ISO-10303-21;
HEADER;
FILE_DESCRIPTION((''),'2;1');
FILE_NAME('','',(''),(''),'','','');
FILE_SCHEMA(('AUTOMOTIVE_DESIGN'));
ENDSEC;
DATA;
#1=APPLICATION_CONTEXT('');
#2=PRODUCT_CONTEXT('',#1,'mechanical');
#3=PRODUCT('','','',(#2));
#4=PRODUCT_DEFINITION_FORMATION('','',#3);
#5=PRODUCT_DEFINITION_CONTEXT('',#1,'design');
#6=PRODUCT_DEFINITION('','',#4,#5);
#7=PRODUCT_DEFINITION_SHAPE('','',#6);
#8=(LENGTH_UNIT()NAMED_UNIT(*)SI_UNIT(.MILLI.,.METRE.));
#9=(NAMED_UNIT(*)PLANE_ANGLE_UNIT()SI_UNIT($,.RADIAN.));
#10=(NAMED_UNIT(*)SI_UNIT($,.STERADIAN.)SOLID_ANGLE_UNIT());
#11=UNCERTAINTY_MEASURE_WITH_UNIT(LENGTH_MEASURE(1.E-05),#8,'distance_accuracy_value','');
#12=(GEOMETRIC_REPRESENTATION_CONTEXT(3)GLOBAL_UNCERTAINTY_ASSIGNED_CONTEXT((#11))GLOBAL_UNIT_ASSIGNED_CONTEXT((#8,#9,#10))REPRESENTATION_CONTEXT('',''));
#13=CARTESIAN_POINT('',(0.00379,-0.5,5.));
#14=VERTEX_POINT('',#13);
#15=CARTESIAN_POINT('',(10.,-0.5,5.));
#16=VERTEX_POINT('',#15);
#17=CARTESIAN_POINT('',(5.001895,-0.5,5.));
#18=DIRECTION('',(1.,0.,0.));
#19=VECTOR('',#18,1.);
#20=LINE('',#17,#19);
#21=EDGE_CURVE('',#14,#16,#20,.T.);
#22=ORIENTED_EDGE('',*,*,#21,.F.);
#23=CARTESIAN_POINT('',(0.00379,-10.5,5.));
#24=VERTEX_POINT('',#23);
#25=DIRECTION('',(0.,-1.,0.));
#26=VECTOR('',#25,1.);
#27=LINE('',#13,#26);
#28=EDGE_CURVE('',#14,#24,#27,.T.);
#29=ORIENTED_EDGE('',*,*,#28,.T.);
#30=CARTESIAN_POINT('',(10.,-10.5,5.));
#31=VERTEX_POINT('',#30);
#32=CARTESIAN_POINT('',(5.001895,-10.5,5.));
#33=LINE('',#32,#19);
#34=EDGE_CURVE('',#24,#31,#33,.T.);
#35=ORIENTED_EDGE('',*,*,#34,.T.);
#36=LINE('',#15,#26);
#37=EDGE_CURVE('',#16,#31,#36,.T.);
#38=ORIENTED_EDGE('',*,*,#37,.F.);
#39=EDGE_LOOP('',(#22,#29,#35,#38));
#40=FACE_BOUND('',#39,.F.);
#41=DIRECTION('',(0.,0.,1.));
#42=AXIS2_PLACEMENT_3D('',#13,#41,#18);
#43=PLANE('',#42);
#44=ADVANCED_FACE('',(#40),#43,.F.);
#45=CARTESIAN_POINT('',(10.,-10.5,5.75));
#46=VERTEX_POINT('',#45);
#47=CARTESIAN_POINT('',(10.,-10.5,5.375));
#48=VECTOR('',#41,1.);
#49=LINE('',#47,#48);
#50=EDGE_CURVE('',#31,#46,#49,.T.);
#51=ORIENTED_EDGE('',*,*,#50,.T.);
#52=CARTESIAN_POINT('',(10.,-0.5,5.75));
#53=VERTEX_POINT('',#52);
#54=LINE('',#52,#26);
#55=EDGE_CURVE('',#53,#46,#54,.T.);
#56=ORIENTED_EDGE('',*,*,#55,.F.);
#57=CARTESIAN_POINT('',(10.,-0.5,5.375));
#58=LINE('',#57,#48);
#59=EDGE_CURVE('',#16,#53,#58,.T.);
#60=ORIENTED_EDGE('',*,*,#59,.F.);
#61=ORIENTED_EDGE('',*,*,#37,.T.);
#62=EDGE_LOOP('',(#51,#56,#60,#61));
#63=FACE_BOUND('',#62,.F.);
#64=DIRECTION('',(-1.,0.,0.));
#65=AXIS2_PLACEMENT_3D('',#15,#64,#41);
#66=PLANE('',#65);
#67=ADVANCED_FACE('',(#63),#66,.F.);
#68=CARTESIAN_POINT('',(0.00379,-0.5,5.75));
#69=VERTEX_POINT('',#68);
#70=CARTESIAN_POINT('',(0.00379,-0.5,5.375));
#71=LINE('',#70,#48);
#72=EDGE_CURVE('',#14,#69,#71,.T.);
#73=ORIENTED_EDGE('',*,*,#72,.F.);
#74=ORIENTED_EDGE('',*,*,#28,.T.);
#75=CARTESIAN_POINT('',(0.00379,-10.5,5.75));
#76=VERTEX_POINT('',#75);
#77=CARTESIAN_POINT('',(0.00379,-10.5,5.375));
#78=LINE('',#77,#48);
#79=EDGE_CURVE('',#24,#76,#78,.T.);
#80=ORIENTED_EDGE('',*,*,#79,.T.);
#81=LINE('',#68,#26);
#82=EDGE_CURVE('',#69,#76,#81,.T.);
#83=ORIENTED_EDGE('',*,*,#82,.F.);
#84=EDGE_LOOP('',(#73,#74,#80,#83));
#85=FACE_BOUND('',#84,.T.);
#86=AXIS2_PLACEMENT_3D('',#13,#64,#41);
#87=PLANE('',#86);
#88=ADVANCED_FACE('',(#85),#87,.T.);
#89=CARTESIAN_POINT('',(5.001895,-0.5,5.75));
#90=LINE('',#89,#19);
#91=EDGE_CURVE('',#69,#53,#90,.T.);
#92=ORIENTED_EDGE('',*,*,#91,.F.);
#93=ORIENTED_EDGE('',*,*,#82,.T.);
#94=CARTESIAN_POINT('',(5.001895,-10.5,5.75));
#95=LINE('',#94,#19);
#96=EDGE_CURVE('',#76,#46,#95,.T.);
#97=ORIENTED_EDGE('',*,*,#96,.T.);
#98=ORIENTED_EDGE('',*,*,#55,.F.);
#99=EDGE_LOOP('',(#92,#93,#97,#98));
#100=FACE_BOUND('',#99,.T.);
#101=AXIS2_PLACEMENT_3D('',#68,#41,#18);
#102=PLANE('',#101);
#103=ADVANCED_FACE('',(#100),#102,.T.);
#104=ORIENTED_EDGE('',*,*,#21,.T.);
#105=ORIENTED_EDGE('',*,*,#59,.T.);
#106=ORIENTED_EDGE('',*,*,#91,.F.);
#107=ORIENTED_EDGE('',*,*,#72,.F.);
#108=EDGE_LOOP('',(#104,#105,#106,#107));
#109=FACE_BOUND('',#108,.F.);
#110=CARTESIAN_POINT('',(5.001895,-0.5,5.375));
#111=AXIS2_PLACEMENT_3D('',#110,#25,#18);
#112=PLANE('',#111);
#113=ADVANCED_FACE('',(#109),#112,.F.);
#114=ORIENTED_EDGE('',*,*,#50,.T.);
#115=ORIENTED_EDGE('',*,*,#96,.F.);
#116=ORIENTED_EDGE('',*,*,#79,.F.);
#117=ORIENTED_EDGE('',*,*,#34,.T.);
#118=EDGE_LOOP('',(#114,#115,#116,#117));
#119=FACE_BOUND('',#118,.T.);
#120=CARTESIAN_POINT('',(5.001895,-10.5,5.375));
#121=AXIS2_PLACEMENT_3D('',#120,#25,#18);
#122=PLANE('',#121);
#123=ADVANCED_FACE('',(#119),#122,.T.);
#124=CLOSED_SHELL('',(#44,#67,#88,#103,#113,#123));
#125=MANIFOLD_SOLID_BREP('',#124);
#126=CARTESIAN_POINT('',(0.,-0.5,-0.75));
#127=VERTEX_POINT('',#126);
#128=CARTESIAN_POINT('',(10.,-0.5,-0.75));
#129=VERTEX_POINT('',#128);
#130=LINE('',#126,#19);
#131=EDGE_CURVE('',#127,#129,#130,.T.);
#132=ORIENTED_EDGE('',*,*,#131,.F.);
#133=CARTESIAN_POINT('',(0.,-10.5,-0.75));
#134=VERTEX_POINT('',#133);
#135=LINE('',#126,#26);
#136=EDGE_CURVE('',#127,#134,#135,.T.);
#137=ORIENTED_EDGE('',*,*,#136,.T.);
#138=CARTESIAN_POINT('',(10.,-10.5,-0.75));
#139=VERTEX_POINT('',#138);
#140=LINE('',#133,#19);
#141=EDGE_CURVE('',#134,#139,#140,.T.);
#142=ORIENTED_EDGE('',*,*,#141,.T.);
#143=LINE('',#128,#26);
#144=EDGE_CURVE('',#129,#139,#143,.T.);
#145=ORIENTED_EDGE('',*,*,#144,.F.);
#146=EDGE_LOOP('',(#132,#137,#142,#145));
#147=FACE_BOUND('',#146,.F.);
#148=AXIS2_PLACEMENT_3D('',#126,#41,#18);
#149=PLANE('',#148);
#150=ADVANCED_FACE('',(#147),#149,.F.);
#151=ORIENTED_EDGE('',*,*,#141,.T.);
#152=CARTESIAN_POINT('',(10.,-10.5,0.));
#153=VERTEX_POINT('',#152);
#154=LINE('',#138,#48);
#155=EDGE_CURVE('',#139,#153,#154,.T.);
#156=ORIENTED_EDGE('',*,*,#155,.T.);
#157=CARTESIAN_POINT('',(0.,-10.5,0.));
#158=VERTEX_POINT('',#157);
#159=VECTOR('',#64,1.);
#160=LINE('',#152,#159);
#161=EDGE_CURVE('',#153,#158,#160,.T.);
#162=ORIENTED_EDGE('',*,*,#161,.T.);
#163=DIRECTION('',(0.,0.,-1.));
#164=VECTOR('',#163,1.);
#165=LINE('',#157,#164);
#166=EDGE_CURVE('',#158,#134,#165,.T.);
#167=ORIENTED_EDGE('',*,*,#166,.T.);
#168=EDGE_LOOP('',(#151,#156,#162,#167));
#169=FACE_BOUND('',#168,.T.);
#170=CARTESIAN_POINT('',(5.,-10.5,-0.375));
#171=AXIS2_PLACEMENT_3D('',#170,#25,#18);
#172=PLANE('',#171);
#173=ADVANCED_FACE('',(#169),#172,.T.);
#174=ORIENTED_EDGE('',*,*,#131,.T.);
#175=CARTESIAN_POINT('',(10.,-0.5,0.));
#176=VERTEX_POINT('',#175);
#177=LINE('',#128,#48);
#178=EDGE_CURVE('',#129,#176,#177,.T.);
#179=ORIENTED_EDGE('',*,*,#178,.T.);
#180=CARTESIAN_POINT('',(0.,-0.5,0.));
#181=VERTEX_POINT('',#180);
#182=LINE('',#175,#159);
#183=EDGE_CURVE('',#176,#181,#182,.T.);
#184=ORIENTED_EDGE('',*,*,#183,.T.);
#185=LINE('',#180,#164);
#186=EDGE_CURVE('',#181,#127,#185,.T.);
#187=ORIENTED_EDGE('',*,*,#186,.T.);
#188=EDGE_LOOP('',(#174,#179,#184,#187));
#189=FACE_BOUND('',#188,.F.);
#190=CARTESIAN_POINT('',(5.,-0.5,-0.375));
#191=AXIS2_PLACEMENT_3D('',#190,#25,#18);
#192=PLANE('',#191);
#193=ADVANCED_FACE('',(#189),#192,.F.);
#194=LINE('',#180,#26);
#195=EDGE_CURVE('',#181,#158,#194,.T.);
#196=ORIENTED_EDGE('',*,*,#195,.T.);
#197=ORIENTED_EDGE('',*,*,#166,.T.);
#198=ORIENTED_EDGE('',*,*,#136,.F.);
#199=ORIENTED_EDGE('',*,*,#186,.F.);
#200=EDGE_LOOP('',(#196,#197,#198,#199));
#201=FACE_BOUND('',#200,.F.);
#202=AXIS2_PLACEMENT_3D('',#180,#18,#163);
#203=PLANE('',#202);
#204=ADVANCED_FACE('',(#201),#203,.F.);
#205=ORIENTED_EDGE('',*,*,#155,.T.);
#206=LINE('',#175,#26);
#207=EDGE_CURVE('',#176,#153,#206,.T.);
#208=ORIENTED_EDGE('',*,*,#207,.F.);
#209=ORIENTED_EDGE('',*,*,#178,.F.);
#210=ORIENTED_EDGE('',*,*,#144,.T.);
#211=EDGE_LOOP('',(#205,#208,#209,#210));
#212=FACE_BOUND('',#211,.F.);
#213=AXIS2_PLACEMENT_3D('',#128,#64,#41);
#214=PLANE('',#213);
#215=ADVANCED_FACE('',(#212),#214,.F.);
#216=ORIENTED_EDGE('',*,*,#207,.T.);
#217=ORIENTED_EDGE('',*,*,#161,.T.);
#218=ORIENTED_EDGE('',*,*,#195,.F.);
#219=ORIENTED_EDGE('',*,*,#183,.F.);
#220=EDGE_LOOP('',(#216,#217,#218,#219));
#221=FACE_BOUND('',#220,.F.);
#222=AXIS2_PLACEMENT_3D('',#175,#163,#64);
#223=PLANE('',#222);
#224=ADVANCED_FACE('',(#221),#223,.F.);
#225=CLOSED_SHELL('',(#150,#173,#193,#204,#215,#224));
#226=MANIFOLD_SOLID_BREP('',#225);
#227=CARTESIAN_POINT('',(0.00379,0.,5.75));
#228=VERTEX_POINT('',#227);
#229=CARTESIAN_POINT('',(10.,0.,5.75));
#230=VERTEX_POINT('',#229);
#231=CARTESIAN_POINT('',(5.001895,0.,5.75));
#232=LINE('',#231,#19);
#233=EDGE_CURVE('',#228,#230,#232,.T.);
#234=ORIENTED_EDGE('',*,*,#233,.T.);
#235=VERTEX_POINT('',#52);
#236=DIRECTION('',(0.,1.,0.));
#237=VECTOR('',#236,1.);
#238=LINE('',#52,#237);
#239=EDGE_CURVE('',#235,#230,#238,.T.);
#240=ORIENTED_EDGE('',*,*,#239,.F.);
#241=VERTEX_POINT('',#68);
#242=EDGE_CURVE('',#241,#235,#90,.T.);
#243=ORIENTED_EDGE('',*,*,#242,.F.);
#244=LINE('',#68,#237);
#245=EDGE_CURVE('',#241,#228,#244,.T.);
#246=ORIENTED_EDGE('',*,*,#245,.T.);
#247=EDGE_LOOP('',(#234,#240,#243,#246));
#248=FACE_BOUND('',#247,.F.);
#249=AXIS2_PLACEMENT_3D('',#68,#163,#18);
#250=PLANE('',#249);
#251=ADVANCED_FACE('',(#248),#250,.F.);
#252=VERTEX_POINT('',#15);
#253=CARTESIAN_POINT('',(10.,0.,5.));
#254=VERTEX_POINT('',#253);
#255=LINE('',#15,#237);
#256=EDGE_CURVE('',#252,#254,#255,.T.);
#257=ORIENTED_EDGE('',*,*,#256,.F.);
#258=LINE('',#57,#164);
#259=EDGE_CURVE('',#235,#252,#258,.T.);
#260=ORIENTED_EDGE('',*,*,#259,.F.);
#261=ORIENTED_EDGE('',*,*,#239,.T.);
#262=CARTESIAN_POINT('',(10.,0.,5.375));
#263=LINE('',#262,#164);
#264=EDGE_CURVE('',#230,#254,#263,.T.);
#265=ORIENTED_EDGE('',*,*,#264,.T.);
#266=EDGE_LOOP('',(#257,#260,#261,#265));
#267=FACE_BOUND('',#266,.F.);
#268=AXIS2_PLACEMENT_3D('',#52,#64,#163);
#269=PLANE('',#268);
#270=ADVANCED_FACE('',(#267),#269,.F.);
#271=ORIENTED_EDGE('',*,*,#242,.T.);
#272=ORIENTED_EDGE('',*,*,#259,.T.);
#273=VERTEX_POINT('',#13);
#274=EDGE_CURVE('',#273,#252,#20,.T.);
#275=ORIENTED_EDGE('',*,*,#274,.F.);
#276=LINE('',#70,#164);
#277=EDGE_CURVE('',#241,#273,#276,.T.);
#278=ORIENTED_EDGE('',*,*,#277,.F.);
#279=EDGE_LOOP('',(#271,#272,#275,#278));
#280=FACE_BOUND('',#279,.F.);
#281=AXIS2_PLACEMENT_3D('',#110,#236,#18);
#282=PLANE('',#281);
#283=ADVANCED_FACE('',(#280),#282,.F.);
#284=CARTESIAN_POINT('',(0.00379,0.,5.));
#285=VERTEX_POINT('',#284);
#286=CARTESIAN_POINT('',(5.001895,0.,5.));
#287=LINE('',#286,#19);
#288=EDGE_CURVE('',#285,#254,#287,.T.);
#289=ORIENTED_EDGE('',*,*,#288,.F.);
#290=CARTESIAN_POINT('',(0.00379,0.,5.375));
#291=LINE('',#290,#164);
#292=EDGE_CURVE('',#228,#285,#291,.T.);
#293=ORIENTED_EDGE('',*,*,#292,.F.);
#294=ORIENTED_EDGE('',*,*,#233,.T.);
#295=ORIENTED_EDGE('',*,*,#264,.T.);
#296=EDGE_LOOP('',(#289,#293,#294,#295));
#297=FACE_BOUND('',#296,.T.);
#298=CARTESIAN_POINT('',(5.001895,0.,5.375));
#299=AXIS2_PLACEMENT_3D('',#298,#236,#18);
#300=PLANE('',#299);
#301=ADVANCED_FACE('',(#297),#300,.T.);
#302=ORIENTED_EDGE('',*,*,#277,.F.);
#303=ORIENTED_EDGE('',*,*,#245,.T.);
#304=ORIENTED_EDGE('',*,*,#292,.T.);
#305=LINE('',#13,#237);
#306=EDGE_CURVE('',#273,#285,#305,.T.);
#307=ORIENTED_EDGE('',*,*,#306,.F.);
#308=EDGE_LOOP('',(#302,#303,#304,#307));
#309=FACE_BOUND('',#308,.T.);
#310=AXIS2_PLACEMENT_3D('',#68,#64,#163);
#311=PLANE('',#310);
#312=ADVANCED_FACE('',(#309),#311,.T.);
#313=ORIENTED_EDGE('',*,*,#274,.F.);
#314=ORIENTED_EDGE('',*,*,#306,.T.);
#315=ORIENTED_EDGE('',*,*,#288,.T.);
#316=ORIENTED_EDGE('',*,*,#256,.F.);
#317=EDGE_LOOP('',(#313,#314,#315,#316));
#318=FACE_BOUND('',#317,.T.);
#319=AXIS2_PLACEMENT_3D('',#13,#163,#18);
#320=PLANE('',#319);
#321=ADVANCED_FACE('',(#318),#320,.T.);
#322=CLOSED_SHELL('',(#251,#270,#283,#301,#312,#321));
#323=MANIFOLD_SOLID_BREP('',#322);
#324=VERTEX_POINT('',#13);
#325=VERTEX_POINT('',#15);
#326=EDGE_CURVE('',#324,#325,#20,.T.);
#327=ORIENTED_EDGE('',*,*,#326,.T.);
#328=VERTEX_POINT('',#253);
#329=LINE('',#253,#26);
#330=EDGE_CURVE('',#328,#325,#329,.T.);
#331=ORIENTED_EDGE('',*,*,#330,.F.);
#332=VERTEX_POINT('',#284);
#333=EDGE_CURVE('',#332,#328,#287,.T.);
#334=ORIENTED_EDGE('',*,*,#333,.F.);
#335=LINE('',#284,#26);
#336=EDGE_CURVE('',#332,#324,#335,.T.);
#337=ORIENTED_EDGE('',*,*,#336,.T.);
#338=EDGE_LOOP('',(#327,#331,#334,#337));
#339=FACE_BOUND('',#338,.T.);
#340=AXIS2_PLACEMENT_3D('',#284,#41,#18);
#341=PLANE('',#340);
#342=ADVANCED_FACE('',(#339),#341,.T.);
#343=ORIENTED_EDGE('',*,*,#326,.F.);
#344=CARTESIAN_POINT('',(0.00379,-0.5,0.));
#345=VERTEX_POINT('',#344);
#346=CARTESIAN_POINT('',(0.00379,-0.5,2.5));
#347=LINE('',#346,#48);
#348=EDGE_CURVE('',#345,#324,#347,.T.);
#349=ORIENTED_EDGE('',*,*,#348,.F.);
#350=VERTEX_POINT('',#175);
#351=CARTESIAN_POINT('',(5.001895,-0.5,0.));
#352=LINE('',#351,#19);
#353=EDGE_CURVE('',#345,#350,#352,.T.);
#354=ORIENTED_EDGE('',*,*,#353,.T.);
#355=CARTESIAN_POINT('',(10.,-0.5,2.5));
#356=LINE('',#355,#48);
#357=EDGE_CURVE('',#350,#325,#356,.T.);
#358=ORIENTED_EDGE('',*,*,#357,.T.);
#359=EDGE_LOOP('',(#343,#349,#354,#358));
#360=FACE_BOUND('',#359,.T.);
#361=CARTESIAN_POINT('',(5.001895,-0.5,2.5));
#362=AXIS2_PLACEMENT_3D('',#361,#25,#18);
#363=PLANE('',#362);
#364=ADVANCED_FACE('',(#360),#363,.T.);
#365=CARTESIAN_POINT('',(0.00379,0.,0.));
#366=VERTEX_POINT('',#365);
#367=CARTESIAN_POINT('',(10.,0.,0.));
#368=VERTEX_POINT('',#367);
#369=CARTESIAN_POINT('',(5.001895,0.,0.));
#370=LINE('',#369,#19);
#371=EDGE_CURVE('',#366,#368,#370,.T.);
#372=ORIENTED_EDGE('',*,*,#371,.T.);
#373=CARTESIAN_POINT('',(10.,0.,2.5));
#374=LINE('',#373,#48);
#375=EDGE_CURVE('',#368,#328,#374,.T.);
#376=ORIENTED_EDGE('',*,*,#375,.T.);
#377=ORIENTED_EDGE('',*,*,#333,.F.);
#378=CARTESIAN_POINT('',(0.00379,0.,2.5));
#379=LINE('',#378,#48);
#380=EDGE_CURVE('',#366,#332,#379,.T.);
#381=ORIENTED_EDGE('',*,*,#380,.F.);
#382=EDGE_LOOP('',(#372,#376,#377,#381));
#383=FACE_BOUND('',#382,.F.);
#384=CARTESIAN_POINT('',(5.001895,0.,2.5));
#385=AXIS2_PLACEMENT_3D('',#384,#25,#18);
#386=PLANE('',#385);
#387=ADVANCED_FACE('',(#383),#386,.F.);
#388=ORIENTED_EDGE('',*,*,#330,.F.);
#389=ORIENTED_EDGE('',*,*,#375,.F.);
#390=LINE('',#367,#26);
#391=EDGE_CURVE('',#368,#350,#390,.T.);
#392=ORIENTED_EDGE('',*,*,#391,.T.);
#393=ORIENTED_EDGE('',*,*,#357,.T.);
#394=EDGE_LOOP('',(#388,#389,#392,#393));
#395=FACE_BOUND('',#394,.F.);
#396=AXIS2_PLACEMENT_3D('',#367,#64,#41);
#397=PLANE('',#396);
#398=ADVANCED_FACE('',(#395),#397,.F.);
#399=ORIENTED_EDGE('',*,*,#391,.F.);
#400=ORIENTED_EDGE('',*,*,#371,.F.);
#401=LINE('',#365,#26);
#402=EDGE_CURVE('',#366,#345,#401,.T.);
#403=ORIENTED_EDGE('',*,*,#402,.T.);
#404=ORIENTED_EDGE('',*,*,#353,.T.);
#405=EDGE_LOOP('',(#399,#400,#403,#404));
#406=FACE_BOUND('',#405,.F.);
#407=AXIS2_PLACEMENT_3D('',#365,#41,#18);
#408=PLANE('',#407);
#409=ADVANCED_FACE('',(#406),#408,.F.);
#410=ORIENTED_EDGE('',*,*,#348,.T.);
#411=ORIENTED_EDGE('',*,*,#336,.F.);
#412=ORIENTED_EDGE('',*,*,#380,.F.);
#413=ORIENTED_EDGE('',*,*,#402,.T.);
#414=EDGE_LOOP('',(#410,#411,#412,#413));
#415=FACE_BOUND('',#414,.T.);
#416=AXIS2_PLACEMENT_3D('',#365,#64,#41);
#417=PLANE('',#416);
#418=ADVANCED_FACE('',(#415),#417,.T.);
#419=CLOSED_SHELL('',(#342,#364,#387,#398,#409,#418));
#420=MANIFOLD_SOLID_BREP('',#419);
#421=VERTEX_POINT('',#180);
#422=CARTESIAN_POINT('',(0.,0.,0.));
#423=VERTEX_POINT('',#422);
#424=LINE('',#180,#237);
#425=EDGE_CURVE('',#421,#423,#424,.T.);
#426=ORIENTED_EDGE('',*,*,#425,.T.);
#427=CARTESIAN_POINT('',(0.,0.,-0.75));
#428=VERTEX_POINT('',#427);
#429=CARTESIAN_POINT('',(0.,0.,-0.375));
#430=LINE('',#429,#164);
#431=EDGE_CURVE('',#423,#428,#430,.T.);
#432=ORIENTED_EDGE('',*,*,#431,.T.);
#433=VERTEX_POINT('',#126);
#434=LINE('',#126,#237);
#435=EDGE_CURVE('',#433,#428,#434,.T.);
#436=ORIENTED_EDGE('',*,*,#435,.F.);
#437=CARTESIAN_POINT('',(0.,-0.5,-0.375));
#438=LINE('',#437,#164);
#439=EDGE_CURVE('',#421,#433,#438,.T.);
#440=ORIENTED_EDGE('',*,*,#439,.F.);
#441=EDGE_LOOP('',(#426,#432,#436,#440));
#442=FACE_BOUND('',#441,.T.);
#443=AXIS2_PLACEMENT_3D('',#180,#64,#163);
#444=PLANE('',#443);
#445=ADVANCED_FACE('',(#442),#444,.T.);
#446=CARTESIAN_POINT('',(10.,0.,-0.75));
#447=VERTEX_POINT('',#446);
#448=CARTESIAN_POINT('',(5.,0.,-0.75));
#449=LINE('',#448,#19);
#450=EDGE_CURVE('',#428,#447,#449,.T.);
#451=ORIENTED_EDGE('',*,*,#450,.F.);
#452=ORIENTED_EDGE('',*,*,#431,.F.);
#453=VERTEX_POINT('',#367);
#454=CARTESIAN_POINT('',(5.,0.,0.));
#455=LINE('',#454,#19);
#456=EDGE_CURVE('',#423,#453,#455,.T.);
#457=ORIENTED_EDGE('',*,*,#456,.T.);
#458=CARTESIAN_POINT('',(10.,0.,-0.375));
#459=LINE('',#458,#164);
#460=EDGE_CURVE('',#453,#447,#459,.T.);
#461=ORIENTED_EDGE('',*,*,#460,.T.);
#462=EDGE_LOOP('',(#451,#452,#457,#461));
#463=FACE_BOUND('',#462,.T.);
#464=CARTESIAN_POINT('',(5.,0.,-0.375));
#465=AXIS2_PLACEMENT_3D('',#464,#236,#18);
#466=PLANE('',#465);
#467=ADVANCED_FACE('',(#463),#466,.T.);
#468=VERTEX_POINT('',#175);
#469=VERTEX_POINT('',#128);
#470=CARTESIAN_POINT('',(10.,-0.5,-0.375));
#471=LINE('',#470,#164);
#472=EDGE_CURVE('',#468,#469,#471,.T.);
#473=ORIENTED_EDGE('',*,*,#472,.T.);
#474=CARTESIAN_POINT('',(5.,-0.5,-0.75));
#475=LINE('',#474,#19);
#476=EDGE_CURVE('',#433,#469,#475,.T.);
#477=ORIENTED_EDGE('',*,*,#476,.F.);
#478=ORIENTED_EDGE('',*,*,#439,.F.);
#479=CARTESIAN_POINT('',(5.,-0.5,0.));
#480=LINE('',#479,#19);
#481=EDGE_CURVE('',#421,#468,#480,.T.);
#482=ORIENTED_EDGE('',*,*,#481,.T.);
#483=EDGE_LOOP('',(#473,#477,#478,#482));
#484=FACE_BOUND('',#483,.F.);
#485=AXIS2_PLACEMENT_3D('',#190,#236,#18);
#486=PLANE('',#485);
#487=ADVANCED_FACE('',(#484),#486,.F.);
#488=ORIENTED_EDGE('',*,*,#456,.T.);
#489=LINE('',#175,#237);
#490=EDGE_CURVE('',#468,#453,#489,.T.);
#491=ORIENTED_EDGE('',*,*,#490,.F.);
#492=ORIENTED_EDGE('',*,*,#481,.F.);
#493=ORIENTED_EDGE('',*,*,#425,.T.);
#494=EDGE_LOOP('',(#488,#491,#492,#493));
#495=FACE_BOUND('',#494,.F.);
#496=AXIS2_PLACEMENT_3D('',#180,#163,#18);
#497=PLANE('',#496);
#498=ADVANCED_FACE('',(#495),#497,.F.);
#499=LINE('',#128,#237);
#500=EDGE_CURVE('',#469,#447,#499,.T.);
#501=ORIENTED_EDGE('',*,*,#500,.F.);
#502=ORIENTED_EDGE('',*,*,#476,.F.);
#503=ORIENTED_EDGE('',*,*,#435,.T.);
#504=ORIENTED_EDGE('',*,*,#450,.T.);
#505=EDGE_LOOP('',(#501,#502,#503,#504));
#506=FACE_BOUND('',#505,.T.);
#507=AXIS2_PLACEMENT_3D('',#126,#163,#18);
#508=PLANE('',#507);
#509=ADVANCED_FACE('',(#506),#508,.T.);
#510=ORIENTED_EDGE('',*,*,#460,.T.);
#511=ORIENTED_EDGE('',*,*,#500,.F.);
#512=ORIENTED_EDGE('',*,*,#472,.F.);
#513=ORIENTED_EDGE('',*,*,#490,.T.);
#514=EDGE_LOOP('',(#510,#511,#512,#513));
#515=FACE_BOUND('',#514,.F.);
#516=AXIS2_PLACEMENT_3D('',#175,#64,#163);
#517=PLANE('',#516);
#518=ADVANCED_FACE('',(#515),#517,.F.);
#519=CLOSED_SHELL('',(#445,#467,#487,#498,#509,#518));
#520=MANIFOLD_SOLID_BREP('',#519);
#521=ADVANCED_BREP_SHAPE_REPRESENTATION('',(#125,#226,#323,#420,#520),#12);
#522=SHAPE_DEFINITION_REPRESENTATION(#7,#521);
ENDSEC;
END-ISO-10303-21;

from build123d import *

# Parameters (mm, degrees)
F0_W        = 9.99621
F0_H        = 5
F1_DEPTH    = 0.5
F2_W        = 9.99621
F2_H        = 0.75
F4_DEPTH    = 10
F4_FACE_W   = 9.99621
F4_FACE_H   = 0.75
F4_FACE_W_2 = 10
F5_DEPTH    = 0.5


with BuildPart() as f1:
    # F0 (on Front) → F1 (new body)
    with BuildSketch(Plane.XZ):
        with Locations((5.001895, 2.5)):
            Rectangle(F0_W, F0_H)
    extrude(amount=F1_DEPTH)


with BuildPart() as f4:
    # F2 (on face) + F3 (on face) → F4 (new body)
    with BuildSketch(Plane.XZ.offset(0.5)):
        with Locations((5.001895, 5.375)):
            Rectangle(F2_W, F2_H)
    with BuildSketch(Plane.XZ.offset(0.5)):
        Polygon((0.00379, 0), (0, 0), (0, -0.75), (10, -0.75), (10, 0), align=None)
    extrude(amount=F4_DEPTH)


with BuildPart() as f5:
    # F4_face (on face) → F5 (new body)
    with BuildSketch(Plane(origin=(5.001895, -0.5, 5.375), x_dir=(1, 0, 0), z_dir=(0, 1, 0))):
        Rectangle(F4_FACE_W, F4_FACE_H)
        with Locations((-0.001895, 5.75)):
            Rectangle(F4_FACE_W_2, F4_FACE_H)
    extrude(amount=F5_DEPTH)


solid = Compound([f1.part, f4.part, f5.part])
